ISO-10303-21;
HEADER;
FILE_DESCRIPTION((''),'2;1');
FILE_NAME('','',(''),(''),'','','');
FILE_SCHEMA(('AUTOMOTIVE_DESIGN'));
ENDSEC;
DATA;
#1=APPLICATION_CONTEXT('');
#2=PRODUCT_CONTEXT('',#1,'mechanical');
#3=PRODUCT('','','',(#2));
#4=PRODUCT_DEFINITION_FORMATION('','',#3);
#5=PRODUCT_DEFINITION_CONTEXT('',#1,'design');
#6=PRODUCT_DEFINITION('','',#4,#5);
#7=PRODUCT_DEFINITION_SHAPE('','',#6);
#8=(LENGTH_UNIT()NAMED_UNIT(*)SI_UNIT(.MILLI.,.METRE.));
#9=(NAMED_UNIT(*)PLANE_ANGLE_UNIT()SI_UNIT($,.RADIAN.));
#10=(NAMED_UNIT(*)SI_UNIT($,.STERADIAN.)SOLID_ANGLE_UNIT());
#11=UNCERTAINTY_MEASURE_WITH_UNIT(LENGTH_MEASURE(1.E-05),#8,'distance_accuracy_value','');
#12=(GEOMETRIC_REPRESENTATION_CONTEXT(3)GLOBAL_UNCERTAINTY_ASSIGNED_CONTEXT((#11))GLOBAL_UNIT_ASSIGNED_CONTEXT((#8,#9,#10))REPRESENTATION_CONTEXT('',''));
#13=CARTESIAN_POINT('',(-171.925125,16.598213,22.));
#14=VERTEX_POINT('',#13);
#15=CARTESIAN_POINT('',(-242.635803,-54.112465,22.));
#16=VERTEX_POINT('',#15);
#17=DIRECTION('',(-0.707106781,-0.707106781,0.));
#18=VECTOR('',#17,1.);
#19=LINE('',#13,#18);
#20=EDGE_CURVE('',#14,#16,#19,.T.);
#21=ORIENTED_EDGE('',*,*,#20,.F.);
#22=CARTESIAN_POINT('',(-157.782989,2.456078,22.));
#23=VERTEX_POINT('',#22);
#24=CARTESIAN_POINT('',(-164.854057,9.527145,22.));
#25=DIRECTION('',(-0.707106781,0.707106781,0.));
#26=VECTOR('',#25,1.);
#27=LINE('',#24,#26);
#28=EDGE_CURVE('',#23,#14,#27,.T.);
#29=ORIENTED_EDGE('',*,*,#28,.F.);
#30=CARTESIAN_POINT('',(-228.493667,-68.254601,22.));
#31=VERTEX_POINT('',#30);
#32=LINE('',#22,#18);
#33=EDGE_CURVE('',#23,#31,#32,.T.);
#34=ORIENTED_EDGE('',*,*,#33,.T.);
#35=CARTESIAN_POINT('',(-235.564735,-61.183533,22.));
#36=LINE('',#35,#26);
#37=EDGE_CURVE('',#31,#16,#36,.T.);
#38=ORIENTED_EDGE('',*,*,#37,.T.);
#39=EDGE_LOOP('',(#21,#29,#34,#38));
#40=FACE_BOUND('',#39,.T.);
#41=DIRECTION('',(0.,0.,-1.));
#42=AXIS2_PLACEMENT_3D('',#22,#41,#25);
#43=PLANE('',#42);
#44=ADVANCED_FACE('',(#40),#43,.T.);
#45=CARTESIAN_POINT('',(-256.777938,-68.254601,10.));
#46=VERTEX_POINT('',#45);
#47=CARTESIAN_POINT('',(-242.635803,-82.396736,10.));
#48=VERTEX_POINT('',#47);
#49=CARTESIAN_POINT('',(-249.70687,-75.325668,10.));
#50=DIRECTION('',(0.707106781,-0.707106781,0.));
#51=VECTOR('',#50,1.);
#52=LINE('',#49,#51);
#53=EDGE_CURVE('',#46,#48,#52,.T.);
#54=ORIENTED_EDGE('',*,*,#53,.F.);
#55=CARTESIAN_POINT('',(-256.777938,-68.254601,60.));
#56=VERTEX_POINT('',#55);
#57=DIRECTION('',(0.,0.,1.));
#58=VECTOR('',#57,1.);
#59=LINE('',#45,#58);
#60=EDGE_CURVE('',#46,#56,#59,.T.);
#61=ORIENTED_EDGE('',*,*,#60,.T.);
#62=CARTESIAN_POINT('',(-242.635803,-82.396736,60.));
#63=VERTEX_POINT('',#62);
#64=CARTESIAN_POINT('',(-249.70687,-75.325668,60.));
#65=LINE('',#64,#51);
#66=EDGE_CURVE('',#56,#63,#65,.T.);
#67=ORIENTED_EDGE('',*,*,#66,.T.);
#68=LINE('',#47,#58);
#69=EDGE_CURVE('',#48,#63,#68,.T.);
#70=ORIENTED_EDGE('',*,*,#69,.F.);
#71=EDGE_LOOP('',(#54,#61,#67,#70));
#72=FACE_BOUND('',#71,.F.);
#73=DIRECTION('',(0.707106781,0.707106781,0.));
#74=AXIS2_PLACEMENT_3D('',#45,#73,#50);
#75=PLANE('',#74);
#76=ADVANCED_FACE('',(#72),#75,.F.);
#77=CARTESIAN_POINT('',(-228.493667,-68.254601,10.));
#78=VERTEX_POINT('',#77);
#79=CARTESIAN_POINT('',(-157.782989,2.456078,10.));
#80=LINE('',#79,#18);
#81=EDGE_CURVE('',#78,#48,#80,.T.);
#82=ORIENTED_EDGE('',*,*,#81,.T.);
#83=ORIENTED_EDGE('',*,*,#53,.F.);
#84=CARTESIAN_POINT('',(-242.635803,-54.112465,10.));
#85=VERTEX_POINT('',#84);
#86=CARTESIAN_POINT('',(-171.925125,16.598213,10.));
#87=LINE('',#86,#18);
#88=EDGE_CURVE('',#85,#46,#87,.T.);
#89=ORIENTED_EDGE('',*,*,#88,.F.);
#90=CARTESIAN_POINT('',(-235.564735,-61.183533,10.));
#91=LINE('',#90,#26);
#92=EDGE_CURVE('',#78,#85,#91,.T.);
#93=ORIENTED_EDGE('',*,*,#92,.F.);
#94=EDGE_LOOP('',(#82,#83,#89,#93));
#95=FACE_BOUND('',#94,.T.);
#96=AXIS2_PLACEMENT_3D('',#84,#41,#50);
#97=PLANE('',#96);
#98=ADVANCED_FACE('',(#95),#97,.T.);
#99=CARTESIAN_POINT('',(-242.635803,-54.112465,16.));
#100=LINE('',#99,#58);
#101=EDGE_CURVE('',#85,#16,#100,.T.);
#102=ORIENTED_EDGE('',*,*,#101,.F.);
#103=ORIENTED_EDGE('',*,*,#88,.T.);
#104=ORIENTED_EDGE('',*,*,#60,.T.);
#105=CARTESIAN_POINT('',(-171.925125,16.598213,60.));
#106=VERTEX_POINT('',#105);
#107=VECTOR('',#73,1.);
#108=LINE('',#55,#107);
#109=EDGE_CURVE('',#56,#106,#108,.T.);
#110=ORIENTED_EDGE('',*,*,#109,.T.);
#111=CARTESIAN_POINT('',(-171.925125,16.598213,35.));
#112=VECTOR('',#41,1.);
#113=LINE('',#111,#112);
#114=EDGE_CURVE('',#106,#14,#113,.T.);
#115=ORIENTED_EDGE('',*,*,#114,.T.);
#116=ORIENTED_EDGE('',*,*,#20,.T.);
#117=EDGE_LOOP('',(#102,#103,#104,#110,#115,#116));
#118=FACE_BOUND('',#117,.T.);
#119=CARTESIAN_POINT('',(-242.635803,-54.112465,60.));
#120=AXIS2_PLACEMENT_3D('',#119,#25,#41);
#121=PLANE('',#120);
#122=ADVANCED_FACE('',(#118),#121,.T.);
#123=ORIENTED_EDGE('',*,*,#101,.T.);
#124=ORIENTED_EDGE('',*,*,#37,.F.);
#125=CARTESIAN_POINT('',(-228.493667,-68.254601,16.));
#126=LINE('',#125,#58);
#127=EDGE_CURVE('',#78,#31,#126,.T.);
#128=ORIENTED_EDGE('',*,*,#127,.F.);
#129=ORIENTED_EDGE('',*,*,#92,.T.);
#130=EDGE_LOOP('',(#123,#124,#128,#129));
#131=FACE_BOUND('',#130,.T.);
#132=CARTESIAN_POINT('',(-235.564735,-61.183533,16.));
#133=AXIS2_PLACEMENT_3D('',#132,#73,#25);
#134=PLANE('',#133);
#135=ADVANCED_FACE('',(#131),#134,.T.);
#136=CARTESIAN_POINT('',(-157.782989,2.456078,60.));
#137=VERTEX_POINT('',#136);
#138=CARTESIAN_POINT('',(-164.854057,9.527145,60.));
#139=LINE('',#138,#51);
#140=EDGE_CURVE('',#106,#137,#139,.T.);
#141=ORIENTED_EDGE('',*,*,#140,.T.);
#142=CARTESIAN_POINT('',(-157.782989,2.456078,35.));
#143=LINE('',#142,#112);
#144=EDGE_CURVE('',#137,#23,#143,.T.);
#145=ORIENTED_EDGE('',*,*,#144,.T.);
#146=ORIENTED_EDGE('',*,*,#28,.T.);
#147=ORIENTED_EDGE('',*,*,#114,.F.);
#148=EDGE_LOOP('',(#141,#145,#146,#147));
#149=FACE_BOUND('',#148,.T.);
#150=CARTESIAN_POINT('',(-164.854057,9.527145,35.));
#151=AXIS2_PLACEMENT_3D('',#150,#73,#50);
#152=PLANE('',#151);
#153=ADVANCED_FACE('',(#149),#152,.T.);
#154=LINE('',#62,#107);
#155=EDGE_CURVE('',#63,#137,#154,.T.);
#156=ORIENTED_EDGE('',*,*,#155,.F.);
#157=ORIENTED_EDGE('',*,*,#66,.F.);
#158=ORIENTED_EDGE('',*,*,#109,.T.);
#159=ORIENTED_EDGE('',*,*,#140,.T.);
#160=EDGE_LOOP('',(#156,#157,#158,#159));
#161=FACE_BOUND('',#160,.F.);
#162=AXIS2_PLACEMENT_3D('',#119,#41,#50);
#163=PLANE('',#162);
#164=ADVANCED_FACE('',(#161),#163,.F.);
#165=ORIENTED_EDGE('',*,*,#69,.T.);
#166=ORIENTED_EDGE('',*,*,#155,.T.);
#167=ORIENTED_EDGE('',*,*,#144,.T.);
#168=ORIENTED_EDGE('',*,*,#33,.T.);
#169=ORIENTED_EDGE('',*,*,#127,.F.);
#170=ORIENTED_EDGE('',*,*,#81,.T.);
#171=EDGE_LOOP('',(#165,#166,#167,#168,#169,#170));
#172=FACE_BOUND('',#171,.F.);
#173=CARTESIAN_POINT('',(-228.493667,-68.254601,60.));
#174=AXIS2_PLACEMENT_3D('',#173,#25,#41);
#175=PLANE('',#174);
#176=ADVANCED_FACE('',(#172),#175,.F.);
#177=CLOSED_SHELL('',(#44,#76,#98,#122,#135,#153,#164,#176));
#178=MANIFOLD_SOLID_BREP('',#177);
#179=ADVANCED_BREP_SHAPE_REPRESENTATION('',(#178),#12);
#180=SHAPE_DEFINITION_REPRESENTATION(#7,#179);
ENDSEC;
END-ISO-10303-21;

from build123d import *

# Parameters (mm, degrees)
SKETCH041_W             = 20
SKETCH041_H             = 20
PAD030_DEPTH            = 50
PAD030_FACE1_W          = 20
PAD030_FACE1_H          = 50
PAD031_DEPTH            = 100
SKETCH043_W             = 20
SKETCH043_H             = 12
POCKET008_DEPTH         = 100
BODY003_PLACEMENT_ANGLE = 45


with BuildPart() as part:
    # Sketch041 → Pad030 (new body)
    with BuildSketch(Plane.XY):
        with Locations((-89.365005, -120.837763)):
            Rectangle(SKETCH041_W, SKETCH041_H)
    extrude(amount=PAD030_DEPTH)

    # Pad030 Face1 → Pad031 (add)
    with BuildSketch(Plane(origin=(-89.365005, -110.837763, 25), x_dir=(1, 0, 0), z_dir=(0, 1, 0))):
        Rectangle(PAD030_FACE1_W, PAD030_FACE1_H)
    extrude(amount=PAD031_DEPTH)

    # Sketch043 (on Face8 of Pad031) → Pocket008 (cut)
    with BuildSketch(Plane(origin=(0, -10.837763, 0), x_dir=(-1, 0, 0), z_dir=(0, 1, 0))):
        with Locations((89.365005, 6)):
            Rectangle(SKETCH043_W, SKETCH043_H)
    extrude(amount=-POCKET008_DEPTH, mode=Mode.SUBTRACT)


with BuildPart() as part_1:
    # Body003 placement: moved
    add(part.part.moved(Location((-94, -46, 10))).rotate(Axis((-94, -46, 10), (0, 0, -1)), BODY003_PLACEMENT_ANGLE))


solid = part_1.part
